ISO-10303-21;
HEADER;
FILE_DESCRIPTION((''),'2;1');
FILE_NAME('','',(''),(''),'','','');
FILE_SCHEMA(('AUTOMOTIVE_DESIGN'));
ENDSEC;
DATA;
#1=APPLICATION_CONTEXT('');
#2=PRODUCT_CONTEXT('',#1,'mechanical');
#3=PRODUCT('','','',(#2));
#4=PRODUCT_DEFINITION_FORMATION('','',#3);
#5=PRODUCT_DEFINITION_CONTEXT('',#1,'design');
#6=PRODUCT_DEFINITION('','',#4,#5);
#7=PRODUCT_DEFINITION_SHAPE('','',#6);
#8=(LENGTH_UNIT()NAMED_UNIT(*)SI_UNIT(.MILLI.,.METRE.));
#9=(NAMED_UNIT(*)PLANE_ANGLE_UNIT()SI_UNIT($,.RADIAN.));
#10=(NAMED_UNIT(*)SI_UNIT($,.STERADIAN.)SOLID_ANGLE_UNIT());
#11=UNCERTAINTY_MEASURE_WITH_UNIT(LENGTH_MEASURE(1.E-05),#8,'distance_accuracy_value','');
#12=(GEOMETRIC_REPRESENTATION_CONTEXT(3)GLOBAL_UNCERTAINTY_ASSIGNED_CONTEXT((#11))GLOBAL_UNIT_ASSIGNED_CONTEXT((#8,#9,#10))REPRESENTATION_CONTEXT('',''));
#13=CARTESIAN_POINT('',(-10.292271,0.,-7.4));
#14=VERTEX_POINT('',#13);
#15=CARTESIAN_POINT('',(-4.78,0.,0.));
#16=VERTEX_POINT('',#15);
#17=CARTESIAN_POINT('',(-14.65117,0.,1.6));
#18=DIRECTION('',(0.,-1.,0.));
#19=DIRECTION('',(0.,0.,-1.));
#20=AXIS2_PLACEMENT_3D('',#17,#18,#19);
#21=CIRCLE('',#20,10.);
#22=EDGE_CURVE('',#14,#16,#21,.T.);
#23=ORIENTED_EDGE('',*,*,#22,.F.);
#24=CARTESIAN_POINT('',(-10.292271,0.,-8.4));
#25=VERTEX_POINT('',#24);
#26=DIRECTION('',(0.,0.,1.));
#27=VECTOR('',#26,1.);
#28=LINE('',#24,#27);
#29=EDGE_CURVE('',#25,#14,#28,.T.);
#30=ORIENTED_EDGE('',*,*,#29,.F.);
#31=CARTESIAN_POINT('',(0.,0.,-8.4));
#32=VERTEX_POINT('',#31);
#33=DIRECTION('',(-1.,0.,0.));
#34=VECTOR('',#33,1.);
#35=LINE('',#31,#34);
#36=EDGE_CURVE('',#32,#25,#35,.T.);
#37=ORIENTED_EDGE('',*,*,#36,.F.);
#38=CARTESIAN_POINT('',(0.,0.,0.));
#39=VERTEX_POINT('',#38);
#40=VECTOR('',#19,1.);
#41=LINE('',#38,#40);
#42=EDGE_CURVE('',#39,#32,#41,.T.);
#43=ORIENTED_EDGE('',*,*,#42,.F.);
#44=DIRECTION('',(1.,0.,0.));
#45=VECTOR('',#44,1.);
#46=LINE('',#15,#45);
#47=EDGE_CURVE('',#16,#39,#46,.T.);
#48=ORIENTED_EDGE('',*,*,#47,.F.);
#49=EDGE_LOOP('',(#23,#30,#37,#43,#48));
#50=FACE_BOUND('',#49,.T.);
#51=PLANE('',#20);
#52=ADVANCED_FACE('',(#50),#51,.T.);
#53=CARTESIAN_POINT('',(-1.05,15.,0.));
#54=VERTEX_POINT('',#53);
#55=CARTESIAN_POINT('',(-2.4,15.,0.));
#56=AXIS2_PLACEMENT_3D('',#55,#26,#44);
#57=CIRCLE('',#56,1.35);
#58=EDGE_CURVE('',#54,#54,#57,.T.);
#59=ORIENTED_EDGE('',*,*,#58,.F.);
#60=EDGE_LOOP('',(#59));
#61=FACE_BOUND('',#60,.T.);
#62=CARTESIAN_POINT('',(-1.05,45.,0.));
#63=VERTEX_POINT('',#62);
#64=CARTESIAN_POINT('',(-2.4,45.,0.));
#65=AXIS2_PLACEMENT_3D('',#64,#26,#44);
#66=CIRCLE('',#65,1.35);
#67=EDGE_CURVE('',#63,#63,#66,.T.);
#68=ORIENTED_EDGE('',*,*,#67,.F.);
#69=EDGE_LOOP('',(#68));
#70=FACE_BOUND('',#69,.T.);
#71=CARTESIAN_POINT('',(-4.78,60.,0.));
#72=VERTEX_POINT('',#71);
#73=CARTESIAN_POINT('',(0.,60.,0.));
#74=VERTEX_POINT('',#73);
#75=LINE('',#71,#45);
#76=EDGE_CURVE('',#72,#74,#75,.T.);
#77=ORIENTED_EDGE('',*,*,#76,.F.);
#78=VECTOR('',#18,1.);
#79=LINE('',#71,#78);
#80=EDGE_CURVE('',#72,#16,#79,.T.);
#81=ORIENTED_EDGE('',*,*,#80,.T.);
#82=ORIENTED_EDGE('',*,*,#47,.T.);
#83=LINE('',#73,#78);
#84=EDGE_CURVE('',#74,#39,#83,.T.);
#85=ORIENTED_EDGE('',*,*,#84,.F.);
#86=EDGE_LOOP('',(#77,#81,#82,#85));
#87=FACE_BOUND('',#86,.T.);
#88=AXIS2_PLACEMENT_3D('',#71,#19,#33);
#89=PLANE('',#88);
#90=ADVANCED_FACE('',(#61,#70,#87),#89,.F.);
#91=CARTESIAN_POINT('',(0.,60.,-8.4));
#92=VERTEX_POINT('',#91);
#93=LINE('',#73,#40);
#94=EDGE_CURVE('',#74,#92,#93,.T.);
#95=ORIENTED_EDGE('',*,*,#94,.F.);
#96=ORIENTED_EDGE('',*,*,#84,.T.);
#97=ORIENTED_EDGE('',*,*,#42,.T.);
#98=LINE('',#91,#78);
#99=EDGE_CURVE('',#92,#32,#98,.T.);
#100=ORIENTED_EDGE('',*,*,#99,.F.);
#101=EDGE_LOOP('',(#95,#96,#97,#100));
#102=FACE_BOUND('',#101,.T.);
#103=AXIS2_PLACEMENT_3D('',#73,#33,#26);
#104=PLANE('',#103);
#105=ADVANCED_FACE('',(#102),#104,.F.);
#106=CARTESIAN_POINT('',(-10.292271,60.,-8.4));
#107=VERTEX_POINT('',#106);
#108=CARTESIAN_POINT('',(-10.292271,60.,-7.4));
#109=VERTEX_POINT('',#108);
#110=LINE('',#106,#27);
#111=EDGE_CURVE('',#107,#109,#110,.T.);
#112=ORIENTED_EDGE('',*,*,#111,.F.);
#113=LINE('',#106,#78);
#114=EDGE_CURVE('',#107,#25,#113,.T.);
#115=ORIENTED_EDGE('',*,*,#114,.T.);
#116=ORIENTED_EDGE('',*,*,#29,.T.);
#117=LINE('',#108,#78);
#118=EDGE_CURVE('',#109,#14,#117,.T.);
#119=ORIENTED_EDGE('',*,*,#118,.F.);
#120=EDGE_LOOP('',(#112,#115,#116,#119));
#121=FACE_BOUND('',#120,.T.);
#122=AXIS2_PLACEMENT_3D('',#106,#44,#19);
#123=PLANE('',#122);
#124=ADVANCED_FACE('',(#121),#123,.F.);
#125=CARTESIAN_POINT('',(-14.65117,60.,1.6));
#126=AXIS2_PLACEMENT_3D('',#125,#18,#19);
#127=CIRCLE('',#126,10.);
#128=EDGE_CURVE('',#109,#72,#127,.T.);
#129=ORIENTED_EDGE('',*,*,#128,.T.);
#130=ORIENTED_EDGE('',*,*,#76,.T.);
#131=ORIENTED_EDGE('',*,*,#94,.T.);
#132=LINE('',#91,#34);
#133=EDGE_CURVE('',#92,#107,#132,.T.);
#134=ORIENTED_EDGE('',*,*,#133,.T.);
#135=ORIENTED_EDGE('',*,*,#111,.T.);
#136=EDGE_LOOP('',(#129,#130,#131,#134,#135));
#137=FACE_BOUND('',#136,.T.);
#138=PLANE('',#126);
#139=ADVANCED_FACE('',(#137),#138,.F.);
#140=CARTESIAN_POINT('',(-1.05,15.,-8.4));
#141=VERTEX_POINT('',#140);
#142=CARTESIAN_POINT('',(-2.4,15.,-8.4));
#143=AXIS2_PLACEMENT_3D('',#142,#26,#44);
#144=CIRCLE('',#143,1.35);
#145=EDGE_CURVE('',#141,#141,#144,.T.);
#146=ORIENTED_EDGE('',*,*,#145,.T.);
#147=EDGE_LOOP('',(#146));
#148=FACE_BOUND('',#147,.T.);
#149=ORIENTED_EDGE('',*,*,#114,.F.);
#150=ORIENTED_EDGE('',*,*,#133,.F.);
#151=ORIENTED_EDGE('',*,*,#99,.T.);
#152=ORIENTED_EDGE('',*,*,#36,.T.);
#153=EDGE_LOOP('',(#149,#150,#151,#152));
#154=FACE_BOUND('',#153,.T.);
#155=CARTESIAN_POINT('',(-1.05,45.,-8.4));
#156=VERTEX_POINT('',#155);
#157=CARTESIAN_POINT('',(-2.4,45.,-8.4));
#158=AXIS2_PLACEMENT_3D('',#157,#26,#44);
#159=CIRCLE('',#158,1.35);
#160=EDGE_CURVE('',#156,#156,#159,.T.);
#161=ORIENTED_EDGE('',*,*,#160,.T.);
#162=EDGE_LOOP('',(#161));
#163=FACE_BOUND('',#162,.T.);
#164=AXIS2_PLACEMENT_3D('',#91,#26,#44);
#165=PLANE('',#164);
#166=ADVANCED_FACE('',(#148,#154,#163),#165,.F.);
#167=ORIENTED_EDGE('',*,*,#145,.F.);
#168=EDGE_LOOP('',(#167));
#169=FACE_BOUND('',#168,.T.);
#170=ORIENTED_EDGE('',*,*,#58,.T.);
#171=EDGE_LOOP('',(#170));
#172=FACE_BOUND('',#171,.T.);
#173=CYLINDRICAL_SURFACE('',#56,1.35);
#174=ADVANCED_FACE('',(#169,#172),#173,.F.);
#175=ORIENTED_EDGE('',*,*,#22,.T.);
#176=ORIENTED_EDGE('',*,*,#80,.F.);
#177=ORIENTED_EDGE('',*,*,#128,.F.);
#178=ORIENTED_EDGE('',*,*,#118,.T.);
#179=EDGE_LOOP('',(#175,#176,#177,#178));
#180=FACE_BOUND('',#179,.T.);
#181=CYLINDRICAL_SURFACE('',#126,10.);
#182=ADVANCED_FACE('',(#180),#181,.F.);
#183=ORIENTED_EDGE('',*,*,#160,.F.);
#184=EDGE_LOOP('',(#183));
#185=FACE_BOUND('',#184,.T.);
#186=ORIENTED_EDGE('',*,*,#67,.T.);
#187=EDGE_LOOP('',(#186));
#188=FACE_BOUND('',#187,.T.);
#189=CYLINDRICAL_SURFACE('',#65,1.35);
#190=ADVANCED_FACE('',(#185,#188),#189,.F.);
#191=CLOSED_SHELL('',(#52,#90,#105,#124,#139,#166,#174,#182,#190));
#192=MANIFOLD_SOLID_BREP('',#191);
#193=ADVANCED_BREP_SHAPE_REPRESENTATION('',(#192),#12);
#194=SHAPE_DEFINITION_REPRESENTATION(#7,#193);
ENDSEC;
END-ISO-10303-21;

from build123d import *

# Parameters (mm, degrees)
BOSS_EXTRUDE1_DEPTH        = 60
F_2_7_2_7_DIAMETER_HOLE1_D = 2.7


with BuildPart() as part:
    # Sketch1 → Boss-Extrude1 (new body)
    with BuildSketch(Plane(origin=(0, 0, 0), x_dir=(1, 0, 0), z_dir=(0, 1, 0))):
        with BuildLine():
            Line((0, 0), (0, 8.4))
            Line((0, 8.4), (-10.2922712, 8.4))
            Line((-10.2922712, 8.4), (-10.2922712, 7.4))
            ThreePointArc((-10.2922712, 7.4), (-6.631586828, 4.373799749), (-4.78, 0))
            Line((-4.78, 0), (0, 0))
        make_face()
    extrude(amount=BOSS_EXTRUDE1_DEPTH)

    # Ø2.7 (2.7) Diameter Hole1 (through all)
    with Locations(Plane(origin=(-2.4, 45, 0), x_dir=(1, 0, 0), z_dir=(0, 0, 1))):
        with Locations((0, 0), (0, -30)):
            Hole(F_2_7_2_7_DIAMETER_HOLE1_D / 2)


solid = part.part
